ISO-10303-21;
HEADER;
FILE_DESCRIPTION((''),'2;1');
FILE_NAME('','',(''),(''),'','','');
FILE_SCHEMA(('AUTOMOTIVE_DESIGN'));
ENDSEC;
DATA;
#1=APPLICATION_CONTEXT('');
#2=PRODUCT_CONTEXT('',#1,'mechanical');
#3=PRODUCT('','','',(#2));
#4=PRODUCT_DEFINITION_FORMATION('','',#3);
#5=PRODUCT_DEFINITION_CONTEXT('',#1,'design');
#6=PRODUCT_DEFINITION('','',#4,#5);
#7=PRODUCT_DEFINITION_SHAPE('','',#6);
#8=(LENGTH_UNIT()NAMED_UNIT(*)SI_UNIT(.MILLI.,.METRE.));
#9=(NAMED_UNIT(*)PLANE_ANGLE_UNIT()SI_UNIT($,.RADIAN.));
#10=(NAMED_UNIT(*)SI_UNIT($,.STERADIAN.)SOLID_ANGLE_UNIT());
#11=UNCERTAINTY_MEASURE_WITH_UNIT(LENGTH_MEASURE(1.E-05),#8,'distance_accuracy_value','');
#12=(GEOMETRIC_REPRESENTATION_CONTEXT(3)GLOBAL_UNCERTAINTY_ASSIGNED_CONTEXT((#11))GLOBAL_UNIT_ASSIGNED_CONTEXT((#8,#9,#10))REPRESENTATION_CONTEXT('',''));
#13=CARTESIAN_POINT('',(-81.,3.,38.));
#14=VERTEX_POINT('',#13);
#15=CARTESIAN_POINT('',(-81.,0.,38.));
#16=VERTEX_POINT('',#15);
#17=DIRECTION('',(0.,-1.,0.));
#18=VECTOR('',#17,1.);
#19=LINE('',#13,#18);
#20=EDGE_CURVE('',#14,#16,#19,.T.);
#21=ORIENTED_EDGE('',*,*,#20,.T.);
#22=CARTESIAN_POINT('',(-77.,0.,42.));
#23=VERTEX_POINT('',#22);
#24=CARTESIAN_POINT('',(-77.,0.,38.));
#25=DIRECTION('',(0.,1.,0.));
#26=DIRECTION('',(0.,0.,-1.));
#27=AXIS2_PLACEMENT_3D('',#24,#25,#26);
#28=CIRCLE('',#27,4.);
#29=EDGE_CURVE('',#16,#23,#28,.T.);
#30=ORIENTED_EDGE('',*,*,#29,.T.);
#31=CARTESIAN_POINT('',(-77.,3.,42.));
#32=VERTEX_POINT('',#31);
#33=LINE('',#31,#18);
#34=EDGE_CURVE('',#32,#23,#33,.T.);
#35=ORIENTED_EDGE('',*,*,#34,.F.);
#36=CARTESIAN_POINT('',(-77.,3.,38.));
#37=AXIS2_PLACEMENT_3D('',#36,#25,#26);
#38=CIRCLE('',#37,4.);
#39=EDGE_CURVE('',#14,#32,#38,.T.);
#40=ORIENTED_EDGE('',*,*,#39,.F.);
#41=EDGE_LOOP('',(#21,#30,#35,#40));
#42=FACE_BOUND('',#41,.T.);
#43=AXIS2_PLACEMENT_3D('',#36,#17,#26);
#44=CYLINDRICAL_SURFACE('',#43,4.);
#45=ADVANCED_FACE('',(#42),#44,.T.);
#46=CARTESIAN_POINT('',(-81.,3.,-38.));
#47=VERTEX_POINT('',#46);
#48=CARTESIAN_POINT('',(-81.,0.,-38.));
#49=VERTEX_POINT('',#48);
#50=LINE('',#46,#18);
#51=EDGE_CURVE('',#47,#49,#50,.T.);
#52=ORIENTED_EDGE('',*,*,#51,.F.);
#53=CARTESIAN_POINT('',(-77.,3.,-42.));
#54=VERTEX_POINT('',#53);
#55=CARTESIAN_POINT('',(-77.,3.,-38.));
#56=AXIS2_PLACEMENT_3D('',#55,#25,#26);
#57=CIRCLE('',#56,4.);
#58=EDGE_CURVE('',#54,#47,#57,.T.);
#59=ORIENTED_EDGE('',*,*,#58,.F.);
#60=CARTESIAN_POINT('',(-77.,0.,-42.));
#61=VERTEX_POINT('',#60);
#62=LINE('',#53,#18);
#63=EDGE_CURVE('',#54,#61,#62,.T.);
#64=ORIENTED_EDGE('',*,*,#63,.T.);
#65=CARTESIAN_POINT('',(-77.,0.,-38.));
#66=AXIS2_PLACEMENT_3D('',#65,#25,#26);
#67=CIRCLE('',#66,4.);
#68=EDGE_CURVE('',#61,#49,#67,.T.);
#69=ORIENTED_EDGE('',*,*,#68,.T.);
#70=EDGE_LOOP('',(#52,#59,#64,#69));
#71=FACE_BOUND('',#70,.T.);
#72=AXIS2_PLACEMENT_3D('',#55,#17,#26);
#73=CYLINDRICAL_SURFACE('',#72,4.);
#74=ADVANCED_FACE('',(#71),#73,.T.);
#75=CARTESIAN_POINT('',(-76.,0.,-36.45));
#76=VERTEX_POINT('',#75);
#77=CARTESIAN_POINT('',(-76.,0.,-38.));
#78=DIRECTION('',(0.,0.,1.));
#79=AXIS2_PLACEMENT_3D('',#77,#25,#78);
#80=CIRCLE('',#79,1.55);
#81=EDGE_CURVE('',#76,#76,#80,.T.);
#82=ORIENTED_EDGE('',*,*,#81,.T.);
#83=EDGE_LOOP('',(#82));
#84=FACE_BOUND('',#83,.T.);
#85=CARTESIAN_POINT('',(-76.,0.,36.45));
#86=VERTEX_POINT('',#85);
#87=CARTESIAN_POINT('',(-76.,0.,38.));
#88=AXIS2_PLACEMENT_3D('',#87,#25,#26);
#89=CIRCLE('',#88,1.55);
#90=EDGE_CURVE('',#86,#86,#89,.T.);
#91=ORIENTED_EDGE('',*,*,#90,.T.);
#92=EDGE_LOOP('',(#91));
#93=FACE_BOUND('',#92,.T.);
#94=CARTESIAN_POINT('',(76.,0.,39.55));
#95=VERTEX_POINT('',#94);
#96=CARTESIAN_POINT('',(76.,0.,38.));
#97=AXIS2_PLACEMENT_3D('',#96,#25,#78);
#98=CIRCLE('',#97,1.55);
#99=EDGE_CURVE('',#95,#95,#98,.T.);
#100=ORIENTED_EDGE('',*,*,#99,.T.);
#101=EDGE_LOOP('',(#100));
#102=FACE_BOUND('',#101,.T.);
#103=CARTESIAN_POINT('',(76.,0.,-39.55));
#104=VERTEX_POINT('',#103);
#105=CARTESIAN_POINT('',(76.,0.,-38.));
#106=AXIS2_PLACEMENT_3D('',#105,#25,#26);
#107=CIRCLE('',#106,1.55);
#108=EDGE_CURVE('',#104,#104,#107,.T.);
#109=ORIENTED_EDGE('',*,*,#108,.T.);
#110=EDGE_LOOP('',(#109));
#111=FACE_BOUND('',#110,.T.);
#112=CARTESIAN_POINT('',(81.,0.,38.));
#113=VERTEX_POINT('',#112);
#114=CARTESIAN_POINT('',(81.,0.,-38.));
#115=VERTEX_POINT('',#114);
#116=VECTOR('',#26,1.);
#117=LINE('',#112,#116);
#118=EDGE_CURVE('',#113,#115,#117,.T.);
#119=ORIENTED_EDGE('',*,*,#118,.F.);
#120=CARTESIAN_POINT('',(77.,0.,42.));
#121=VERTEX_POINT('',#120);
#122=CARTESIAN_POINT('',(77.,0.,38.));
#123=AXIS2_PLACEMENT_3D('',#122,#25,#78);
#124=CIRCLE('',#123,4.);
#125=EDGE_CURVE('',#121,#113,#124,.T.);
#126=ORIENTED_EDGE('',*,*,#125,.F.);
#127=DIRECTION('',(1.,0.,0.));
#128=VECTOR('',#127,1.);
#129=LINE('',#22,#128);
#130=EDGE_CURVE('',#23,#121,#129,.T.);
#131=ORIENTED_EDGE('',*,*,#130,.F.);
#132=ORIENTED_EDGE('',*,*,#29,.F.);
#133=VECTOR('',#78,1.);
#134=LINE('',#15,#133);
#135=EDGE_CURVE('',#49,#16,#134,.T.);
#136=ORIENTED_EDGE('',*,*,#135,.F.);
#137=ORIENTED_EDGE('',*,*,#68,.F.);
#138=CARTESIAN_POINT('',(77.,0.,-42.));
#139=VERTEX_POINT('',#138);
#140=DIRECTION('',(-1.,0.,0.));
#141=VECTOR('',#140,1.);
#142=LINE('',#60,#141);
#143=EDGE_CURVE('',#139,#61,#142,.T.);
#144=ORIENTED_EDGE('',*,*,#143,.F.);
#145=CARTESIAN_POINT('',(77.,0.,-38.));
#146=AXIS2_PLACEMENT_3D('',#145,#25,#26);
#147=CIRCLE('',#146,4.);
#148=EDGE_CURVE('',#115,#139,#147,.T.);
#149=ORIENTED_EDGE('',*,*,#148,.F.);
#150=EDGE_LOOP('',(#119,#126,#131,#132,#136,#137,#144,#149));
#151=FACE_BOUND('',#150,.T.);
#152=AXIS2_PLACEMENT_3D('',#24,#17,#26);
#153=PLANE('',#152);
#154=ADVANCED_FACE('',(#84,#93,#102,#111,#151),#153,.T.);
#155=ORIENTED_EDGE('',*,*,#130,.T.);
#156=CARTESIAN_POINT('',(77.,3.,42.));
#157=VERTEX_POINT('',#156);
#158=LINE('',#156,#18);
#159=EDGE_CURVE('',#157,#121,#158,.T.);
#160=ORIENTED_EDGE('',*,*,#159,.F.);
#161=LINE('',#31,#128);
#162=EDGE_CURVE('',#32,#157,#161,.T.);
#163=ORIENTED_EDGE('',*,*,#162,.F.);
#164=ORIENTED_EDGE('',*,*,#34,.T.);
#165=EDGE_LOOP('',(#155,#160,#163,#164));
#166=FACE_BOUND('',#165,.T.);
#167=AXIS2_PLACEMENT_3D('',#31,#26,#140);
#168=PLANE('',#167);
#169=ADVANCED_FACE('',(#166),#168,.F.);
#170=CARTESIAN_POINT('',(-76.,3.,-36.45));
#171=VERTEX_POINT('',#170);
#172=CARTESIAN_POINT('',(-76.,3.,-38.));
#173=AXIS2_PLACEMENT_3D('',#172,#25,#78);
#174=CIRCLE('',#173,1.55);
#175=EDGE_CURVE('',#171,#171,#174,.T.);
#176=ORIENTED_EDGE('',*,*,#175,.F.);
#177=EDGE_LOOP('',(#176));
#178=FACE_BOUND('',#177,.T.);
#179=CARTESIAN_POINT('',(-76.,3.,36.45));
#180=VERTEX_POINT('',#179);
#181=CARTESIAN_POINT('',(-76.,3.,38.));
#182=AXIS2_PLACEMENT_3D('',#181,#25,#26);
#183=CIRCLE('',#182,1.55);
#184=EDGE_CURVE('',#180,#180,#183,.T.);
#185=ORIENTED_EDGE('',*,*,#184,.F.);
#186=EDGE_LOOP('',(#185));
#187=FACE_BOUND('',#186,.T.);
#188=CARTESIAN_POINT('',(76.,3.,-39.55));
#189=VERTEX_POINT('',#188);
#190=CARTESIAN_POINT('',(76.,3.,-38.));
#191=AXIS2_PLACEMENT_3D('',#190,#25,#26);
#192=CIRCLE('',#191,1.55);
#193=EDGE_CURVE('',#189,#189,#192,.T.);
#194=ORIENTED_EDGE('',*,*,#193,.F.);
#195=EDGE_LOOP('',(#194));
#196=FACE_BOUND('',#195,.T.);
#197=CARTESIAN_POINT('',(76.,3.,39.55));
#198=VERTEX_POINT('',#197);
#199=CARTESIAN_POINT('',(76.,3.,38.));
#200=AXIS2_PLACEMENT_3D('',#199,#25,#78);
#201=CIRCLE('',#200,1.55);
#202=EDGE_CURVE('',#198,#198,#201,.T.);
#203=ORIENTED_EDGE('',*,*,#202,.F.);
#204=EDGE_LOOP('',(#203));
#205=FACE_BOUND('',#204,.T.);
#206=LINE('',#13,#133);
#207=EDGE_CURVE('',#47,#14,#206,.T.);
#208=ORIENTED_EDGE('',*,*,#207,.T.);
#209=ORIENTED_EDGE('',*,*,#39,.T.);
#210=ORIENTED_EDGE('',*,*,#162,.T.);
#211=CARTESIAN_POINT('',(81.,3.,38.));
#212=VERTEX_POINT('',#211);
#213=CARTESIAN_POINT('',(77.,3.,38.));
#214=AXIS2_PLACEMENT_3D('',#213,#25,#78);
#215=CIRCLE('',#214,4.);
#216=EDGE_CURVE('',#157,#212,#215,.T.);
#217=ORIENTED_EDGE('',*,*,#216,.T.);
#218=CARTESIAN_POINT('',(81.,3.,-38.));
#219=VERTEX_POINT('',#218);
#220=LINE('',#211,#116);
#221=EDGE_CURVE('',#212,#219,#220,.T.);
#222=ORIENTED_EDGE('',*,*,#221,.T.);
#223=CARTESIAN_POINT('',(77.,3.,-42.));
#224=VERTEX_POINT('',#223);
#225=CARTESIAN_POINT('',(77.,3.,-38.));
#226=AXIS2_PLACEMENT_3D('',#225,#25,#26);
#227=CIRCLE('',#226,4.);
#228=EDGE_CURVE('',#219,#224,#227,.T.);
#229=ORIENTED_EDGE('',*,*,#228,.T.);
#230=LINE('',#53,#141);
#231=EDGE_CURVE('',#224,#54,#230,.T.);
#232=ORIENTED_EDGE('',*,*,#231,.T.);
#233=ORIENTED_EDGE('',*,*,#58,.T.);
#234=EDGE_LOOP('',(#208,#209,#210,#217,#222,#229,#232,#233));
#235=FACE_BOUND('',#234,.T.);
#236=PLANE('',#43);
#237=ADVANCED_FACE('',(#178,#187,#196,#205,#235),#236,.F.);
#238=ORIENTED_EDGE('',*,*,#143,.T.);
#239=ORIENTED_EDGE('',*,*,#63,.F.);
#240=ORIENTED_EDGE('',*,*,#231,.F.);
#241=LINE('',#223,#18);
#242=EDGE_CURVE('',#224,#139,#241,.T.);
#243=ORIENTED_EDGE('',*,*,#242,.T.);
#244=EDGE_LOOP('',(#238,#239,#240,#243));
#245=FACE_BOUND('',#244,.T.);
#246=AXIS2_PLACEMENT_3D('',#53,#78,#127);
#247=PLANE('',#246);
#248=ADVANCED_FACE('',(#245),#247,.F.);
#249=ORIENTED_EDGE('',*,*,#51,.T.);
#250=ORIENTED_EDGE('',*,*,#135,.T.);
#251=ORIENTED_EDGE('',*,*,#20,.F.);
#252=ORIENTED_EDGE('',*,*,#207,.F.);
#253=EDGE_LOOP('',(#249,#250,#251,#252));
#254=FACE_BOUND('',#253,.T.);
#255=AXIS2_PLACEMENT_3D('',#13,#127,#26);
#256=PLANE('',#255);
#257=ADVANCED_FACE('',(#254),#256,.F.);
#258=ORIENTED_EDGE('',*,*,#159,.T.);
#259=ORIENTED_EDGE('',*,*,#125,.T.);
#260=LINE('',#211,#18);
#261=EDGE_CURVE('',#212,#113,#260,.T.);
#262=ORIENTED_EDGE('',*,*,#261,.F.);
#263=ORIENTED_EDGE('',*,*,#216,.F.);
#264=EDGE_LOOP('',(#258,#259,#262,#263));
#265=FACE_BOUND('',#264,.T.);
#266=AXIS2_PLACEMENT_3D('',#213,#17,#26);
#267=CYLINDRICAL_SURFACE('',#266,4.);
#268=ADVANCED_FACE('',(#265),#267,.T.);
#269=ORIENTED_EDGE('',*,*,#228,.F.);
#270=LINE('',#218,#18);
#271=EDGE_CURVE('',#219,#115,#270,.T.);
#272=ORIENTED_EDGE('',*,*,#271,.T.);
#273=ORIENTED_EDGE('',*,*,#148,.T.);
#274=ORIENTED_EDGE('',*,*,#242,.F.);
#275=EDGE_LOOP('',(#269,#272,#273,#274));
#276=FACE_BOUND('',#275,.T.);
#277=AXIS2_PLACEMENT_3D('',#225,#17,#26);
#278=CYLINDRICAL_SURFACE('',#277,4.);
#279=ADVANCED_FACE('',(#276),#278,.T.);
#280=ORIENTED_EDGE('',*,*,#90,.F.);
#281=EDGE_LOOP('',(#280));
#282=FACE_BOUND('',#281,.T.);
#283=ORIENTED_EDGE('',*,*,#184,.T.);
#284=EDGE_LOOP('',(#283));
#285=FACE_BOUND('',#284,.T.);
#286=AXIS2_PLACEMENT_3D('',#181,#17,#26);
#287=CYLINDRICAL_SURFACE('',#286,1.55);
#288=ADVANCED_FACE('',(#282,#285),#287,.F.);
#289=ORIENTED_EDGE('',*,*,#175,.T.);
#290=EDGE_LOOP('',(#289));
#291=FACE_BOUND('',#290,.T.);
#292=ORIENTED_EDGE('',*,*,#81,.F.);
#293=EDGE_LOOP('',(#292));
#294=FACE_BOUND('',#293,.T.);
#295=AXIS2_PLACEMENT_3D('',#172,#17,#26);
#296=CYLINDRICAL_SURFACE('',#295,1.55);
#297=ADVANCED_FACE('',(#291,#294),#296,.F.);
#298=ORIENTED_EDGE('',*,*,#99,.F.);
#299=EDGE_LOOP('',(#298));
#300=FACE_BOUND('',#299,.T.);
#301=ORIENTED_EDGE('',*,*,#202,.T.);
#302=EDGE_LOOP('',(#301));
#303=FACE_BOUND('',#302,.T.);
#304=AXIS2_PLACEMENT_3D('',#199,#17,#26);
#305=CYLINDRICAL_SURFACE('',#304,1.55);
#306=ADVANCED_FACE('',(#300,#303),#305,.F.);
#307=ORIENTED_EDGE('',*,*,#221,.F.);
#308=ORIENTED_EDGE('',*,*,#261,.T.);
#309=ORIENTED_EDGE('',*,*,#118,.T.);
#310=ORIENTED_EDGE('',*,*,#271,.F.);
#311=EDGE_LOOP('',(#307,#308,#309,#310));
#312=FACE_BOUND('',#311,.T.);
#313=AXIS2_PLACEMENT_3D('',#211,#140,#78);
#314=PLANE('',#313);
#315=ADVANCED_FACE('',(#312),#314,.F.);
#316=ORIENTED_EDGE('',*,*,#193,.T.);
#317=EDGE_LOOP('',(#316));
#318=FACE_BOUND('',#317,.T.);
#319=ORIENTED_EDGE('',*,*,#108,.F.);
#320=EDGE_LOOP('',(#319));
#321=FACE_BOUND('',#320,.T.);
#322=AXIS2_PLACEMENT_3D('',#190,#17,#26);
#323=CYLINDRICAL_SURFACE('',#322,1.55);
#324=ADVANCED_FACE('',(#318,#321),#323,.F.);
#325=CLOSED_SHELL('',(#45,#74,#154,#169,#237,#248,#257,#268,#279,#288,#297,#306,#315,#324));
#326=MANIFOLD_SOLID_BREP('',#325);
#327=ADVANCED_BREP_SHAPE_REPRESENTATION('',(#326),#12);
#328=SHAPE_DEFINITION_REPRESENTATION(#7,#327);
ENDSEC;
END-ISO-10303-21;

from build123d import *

# Parameters (mm, degrees)
SKETCH1_R           = 1.55
BOSS_EXTRUDE1_DEPTH = 3


with BuildPart() as part:
    # Sketch1 → Boss-Extrude1 (new body)
    with BuildSketch(Plane(origin=(0, 0, 0), x_dir=(1, 0, 0), z_dir=(0, 1, 0))):
        with BuildLine():
            Line((-77, -42), (77, -42))
            ThreePointArc((77, -42), (79.828427125, -40.828427125), (81, -38))
            Line((81, -38), (81, 38))
            ThreePointArc((81, 38), (79.828427125, 40.828427125), (77, 42))
            Line((77, 42), (-77, 42))
            ThreePointArc((-77, 42), (-79.828427125, 40.828427125), (-81, 38))
            Line((-81, 38), (-81, -38))
            ThreePointArc((-81, -38), (-79.828427125, -40.828427125), (-77, -42))
        make_face()
        with Locations(Location((-76, 38, 0), (0, 0, 270))):
            Circle(SKETCH1_R, mode=Mode.SUBTRACT)
        with Locations(Location((-76, -38, 0), (0, 0, 90))):
            Circle(SKETCH1_R, mode=Mode.SUBTRACT)
        with Locations(Location((76, 38, 0), (0, 0, 90))):
            Circle(SKETCH1_R, mode=Mode.SUBTRACT)
        with Locations(Location((76, -38, 0), (0, 0, 270))):
            Circle(SKETCH1_R, mode=Mode.SUBTRACT)
    extrude(amount=BOSS_EXTRUDE1_DEPTH)


solid = part.part
